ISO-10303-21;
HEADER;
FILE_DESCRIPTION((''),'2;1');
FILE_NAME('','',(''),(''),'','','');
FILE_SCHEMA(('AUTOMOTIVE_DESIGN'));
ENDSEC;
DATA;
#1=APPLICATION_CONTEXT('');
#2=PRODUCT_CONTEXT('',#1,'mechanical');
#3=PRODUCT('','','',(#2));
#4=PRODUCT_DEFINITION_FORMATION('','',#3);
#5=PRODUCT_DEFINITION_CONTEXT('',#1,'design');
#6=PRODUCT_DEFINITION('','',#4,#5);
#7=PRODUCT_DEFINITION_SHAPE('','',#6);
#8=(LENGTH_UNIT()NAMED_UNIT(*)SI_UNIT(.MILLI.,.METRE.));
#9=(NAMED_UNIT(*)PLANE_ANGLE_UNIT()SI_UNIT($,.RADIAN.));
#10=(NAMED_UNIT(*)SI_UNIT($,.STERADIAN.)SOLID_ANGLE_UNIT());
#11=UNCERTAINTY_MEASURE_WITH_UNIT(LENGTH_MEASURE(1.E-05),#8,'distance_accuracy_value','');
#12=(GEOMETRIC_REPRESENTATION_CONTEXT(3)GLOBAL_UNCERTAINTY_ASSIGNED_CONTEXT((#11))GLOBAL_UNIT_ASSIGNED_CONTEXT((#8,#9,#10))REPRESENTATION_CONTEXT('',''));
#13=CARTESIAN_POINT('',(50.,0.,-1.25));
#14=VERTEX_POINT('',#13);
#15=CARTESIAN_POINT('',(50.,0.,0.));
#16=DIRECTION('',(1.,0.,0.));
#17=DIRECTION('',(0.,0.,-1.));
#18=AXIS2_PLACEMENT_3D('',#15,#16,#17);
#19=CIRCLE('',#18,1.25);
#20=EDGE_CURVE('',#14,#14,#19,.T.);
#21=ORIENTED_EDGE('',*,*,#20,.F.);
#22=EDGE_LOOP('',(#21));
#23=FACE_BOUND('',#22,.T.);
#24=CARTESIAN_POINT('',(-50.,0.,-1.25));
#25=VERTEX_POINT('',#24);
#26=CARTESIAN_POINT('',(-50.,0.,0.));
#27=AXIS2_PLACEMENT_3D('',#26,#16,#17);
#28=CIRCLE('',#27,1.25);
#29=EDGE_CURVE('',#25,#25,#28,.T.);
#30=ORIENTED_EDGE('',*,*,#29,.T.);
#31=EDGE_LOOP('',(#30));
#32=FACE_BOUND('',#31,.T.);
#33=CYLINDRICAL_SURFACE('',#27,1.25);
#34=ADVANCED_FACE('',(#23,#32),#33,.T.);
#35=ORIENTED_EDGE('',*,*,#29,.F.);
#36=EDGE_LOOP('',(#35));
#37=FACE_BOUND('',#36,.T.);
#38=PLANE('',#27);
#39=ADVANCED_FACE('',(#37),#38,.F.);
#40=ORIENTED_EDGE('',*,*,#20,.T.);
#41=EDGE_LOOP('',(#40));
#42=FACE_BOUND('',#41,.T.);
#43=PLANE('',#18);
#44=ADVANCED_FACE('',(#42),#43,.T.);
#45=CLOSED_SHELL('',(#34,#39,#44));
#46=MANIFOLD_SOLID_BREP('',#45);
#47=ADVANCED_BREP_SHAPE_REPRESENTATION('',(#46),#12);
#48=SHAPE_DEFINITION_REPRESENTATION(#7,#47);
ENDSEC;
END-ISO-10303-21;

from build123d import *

# Parameters (mm, degrees)
EXTRUDE_1_DEPTH      = 50
EXTRUDE_1_DEPTH_BACK = 50
SKETCH_1_R           = 1.25


with BuildPart() as part:
    # 草图1 → 凸台-拉伸1 (new, two sides: drawn at the far end of the back side and taken through both)
    with BuildSketch(Plane(origin=(0, 0, 0), x_dir=(0, 0, -1), z_dir=(1, 0, 0)).offset(-EXTRUDE_1_DEPTH_BACK)):
        Circle(SKETCH_1_R)
    extrude(amount=EXTRUDE_1_DEPTH + EXTRUDE_1_DEPTH_BACK)


solid = part.part
